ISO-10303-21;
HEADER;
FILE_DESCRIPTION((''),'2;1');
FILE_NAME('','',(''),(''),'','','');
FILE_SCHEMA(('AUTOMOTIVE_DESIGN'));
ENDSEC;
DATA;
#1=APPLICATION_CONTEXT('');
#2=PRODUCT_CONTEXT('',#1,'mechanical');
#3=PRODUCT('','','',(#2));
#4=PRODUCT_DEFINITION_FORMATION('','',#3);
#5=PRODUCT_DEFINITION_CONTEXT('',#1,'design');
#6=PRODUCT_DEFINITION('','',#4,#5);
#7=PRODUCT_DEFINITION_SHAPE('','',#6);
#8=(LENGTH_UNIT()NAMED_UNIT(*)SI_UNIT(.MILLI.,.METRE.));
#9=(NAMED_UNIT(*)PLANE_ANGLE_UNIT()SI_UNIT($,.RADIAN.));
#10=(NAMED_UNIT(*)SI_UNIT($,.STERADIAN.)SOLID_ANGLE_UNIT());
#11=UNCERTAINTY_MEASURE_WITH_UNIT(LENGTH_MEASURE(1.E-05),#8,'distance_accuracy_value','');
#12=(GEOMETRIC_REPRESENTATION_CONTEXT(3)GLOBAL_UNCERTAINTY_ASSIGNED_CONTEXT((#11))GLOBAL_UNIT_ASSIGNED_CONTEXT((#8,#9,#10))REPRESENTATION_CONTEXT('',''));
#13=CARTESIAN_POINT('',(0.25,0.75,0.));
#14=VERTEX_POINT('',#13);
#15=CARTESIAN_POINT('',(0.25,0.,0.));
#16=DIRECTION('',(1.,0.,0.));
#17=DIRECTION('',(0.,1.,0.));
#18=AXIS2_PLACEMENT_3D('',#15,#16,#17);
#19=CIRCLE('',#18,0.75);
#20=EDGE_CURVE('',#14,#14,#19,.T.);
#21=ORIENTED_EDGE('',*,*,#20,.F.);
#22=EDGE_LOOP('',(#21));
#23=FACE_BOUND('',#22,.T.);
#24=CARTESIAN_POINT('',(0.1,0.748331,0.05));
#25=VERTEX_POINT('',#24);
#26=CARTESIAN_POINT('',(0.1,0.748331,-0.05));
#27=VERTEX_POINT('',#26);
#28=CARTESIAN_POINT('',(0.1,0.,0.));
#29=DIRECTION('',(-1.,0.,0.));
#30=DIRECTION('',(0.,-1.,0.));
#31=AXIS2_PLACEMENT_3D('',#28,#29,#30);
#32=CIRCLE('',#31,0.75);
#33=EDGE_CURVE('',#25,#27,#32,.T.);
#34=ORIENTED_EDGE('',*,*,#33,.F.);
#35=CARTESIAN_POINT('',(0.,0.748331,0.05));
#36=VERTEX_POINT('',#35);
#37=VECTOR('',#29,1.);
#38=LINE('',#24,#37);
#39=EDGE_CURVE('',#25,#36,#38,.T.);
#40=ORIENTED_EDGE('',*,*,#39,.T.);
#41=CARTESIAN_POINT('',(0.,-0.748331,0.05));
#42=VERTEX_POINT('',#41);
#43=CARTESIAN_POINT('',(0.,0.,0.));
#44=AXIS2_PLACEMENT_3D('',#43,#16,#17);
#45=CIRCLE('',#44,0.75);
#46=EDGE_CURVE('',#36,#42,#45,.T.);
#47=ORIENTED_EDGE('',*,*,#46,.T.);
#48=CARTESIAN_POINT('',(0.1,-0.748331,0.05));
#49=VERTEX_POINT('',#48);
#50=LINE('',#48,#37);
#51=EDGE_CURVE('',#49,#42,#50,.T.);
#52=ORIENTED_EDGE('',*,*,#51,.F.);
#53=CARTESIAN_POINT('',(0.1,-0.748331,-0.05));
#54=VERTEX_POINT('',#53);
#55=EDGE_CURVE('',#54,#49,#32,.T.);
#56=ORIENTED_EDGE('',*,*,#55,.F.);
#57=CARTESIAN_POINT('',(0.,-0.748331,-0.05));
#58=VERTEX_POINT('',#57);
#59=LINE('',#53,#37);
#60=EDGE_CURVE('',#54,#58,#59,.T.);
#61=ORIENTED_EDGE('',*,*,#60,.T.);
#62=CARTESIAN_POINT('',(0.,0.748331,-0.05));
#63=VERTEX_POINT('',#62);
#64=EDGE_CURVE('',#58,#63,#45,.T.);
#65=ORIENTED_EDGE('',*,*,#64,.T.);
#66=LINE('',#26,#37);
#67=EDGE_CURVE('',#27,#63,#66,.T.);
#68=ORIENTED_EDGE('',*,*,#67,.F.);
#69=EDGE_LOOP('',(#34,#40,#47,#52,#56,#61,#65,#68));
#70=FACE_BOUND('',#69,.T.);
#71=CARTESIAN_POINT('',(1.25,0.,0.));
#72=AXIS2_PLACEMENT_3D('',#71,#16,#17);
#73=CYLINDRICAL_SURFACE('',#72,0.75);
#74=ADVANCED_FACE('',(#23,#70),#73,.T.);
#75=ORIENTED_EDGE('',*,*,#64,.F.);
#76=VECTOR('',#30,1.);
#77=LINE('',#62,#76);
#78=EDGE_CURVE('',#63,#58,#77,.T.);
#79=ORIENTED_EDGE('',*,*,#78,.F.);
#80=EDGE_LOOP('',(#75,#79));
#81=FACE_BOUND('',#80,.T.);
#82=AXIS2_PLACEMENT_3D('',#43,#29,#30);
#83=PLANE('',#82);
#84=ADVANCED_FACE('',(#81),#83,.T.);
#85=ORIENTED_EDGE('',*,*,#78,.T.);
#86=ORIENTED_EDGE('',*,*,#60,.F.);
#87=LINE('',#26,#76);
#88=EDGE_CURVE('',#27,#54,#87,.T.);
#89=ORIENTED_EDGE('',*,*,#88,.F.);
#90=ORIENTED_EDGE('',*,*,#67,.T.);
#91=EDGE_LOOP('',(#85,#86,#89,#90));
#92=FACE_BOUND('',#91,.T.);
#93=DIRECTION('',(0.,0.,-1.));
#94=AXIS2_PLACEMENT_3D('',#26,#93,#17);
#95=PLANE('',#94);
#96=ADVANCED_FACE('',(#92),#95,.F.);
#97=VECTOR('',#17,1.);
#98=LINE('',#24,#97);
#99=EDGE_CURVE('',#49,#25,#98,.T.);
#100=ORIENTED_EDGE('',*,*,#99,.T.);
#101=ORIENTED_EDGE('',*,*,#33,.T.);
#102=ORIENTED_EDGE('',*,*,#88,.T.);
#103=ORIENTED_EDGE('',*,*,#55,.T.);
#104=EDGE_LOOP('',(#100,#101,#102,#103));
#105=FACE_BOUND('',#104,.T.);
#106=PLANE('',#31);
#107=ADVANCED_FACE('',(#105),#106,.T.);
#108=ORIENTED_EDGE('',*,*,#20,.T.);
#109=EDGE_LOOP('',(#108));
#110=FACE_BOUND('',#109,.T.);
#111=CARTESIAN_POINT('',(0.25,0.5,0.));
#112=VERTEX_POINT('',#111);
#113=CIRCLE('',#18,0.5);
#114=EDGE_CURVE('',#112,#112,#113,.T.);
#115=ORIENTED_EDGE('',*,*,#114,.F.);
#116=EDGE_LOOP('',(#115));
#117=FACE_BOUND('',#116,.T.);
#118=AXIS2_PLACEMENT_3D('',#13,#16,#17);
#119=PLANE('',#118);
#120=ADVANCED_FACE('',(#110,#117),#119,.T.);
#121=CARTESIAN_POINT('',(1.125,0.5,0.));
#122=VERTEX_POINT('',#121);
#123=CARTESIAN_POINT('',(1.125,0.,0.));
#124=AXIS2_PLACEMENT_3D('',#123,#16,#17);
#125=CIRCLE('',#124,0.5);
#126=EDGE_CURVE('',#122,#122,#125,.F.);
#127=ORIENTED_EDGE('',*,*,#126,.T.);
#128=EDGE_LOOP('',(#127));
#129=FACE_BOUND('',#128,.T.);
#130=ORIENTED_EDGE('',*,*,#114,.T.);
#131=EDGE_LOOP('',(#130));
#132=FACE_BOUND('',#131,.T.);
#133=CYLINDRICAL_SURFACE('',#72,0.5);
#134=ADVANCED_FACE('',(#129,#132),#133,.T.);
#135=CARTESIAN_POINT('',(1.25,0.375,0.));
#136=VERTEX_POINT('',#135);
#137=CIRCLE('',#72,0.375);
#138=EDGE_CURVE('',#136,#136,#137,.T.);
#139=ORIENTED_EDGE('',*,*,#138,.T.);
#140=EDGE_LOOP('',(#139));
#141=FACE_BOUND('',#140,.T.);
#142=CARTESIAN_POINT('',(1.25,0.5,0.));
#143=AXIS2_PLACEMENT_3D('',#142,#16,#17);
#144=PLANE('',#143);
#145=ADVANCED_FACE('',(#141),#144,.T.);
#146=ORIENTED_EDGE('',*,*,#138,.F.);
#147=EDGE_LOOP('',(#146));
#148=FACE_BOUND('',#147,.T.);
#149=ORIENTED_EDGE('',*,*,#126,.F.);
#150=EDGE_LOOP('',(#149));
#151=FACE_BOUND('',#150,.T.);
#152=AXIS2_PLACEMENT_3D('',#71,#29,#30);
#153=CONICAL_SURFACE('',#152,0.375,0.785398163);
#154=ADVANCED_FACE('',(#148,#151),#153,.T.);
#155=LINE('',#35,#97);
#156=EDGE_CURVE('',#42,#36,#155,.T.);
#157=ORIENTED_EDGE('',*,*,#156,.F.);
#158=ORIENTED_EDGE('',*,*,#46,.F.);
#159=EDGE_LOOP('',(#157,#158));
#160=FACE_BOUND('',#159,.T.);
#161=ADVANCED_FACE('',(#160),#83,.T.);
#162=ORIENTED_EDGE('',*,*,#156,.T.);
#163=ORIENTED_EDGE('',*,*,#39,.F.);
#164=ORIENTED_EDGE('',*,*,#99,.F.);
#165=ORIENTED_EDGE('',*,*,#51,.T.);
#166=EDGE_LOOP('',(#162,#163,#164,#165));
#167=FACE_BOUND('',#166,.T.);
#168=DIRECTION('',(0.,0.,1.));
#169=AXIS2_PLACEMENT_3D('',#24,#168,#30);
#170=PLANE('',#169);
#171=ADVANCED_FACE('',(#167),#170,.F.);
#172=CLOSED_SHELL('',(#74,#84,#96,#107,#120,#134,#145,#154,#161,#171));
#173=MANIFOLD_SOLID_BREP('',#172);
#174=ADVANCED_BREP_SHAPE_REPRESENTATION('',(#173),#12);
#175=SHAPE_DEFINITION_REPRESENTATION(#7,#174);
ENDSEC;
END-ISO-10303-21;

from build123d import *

# Parameters (mm, degrees)
CHAFL_N1_SIZE         = 0.125
CORTAR_EXTRUIR6_DEPTH = 0.1


with BuildPart() as part:
    # Croquis1 → Revolución1 (revolve)
    with BuildSketch(Plane.XY):
        Polygon((0, 0), (0, 0.75), (0.25, 0.75), (0.25, 0.5), (1.25, 0.5), (1.25, 0), align=None)
    revolve(axis=Axis((1.25, 0, 0), (-1, 0, 0)))

    # Chaflán1
    chafl_n1_edges = [part.edges().sort_by_distance(p)[0] for p in [
        (1.25, -0.5, 0),
    ]]
    chamfer(chafl_n1_edges, length=CHAFL_N1_SIZE)

    # Croquis5 → Cortar-Extruir6 (cut)
    with BuildSketch(Plane.ZY):
        with BuildLine():
            Line((-0.05, 0.748331477), (-0.05, -0.748331477))
            ThreePointArc((-0.05, -0.748331477), (0, -0.75), (0.05, -0.748331477))
            Line((0.05, -0.748331477), (0.05, 0.748331477))
            ThreePointArc((0.05, 0.748331477), (0, 0.75), (-0.05, 0.748331477))
        make_face()
    extrude(amount=-CORTAR_EXTRUIR6_DEPTH, mode=Mode.SUBTRACT)


solid = part.part
